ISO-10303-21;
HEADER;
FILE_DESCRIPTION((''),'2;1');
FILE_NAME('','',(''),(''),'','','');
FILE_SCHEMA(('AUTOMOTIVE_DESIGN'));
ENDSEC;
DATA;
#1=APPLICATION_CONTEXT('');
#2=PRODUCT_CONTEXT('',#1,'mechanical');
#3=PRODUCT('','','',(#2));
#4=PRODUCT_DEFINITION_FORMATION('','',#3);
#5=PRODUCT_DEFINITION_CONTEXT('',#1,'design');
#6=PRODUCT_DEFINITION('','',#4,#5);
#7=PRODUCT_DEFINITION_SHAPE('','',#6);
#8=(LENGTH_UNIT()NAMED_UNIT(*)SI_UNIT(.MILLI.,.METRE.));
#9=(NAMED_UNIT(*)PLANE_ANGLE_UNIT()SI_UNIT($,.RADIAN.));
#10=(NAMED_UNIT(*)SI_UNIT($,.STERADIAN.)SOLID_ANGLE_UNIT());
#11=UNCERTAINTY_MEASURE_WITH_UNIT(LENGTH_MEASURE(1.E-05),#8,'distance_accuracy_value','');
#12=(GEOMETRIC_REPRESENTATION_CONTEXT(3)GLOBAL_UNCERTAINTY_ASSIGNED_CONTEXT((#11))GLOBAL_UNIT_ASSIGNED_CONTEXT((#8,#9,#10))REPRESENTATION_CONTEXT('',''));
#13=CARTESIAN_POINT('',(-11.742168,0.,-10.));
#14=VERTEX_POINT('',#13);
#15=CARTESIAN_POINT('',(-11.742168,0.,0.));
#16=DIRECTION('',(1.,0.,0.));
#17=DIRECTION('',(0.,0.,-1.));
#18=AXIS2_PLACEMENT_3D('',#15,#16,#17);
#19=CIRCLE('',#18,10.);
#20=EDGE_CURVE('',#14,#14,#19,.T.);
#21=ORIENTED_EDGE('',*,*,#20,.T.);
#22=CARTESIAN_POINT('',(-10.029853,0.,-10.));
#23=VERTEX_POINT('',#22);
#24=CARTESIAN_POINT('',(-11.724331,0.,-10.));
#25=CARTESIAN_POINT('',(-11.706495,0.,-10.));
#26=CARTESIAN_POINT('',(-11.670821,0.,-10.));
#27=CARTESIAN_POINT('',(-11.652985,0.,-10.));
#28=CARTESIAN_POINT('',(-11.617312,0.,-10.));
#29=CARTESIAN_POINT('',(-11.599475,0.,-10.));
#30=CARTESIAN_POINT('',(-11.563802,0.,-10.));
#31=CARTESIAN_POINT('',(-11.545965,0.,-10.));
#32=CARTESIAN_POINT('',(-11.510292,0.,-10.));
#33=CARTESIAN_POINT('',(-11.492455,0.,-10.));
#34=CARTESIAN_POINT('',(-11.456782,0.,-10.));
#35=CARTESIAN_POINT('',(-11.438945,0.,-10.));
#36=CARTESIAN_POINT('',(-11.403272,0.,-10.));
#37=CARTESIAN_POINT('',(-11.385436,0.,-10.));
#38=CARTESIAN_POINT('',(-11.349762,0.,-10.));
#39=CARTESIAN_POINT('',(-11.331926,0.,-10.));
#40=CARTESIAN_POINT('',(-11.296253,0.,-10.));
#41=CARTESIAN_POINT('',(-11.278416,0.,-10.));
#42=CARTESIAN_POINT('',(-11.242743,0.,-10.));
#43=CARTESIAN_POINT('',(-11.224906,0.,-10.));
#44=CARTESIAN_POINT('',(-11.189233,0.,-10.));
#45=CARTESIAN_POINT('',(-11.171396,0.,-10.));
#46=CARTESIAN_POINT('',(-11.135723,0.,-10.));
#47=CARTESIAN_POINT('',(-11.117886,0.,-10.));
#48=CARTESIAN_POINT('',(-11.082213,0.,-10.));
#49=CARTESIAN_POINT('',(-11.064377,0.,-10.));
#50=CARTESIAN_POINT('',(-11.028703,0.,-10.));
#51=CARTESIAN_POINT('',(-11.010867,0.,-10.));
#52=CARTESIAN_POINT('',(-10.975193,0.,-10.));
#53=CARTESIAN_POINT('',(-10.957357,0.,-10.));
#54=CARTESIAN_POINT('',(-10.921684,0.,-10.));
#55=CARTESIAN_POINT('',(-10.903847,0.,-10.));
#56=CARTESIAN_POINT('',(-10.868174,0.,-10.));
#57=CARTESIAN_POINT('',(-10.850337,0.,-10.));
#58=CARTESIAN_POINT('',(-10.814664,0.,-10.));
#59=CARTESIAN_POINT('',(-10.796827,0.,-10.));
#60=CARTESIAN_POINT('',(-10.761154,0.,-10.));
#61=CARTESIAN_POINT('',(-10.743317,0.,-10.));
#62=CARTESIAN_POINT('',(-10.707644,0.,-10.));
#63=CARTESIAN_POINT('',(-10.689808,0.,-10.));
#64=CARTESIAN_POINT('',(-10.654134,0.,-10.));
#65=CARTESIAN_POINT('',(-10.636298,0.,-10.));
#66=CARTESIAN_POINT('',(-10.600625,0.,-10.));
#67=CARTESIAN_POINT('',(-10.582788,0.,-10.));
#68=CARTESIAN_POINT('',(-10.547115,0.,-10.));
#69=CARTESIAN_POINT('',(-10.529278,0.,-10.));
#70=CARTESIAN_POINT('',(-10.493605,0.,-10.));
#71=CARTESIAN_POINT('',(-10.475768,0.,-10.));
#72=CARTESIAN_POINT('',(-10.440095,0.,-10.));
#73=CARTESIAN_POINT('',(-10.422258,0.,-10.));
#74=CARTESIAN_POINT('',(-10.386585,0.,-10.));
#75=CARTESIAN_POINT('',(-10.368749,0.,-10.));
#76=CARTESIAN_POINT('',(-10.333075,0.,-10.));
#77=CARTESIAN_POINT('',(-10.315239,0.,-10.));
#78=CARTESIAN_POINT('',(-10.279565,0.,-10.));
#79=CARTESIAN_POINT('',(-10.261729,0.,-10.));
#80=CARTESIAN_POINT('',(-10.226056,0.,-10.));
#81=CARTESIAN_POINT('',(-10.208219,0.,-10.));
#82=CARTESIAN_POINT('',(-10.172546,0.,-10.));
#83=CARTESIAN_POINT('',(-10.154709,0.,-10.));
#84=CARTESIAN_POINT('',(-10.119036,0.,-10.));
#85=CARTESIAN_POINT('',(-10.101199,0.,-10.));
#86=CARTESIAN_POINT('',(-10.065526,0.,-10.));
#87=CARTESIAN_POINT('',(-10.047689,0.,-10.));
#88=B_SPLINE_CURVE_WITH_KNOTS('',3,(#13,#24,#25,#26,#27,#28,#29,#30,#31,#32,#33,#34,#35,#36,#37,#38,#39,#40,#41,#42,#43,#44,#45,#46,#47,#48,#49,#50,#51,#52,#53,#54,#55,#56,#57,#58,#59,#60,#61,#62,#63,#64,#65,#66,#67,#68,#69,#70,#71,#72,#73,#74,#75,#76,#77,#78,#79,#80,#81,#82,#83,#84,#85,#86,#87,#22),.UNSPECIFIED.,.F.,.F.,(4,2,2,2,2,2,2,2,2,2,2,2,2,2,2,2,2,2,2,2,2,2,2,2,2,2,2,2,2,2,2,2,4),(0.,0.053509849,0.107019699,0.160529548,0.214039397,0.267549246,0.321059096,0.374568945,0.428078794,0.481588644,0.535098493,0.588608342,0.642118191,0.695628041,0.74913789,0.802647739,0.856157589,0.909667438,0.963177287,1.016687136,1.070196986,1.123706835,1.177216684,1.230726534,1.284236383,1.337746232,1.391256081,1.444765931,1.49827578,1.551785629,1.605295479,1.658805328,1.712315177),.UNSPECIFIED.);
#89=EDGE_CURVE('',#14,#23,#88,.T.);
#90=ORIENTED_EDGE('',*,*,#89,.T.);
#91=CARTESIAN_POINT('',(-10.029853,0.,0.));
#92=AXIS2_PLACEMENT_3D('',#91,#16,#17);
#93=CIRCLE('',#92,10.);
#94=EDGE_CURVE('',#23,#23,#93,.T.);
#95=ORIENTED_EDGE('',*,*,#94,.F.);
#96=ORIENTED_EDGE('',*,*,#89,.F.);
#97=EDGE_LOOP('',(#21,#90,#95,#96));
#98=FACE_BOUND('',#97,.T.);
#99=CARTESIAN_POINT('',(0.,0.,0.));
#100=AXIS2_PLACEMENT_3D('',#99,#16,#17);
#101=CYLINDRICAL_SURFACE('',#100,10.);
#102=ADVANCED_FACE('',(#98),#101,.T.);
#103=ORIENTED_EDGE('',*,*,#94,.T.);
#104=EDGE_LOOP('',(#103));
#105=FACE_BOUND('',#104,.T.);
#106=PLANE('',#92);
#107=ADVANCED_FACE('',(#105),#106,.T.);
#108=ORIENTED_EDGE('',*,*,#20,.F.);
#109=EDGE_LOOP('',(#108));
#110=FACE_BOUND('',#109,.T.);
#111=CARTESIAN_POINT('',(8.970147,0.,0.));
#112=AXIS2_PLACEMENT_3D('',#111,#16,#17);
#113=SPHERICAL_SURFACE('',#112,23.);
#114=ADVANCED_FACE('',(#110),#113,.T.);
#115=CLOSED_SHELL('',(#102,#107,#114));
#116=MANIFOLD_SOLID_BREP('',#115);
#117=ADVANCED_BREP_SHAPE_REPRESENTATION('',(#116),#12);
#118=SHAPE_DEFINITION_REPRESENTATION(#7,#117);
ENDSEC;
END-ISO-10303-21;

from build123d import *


with BuildPart() as part:
    # Эскиз1 → Повернуть1 (revolve)
    with BuildSketch(Plane(origin=(0, 0, 0), x_dir=(1, 0, 0), z_dir=(0, 1, 0))):
        with BuildLine():
            Line((-10.029852788, 0), (-10.029852788, 10))
            Line((-10.029852788, 10), (-11.742167966, 10))
            ThreePointArc((-11.742167966, 10), (-13.450638335, 5.129169081), (-14.029852788, 0))
            Line((-14.029852788, 0), (-10.029852788, 0))
        make_face()
    revolve(axis=Axis((0, 0, 0), (-1, 0, 0)))


solid = part.part
